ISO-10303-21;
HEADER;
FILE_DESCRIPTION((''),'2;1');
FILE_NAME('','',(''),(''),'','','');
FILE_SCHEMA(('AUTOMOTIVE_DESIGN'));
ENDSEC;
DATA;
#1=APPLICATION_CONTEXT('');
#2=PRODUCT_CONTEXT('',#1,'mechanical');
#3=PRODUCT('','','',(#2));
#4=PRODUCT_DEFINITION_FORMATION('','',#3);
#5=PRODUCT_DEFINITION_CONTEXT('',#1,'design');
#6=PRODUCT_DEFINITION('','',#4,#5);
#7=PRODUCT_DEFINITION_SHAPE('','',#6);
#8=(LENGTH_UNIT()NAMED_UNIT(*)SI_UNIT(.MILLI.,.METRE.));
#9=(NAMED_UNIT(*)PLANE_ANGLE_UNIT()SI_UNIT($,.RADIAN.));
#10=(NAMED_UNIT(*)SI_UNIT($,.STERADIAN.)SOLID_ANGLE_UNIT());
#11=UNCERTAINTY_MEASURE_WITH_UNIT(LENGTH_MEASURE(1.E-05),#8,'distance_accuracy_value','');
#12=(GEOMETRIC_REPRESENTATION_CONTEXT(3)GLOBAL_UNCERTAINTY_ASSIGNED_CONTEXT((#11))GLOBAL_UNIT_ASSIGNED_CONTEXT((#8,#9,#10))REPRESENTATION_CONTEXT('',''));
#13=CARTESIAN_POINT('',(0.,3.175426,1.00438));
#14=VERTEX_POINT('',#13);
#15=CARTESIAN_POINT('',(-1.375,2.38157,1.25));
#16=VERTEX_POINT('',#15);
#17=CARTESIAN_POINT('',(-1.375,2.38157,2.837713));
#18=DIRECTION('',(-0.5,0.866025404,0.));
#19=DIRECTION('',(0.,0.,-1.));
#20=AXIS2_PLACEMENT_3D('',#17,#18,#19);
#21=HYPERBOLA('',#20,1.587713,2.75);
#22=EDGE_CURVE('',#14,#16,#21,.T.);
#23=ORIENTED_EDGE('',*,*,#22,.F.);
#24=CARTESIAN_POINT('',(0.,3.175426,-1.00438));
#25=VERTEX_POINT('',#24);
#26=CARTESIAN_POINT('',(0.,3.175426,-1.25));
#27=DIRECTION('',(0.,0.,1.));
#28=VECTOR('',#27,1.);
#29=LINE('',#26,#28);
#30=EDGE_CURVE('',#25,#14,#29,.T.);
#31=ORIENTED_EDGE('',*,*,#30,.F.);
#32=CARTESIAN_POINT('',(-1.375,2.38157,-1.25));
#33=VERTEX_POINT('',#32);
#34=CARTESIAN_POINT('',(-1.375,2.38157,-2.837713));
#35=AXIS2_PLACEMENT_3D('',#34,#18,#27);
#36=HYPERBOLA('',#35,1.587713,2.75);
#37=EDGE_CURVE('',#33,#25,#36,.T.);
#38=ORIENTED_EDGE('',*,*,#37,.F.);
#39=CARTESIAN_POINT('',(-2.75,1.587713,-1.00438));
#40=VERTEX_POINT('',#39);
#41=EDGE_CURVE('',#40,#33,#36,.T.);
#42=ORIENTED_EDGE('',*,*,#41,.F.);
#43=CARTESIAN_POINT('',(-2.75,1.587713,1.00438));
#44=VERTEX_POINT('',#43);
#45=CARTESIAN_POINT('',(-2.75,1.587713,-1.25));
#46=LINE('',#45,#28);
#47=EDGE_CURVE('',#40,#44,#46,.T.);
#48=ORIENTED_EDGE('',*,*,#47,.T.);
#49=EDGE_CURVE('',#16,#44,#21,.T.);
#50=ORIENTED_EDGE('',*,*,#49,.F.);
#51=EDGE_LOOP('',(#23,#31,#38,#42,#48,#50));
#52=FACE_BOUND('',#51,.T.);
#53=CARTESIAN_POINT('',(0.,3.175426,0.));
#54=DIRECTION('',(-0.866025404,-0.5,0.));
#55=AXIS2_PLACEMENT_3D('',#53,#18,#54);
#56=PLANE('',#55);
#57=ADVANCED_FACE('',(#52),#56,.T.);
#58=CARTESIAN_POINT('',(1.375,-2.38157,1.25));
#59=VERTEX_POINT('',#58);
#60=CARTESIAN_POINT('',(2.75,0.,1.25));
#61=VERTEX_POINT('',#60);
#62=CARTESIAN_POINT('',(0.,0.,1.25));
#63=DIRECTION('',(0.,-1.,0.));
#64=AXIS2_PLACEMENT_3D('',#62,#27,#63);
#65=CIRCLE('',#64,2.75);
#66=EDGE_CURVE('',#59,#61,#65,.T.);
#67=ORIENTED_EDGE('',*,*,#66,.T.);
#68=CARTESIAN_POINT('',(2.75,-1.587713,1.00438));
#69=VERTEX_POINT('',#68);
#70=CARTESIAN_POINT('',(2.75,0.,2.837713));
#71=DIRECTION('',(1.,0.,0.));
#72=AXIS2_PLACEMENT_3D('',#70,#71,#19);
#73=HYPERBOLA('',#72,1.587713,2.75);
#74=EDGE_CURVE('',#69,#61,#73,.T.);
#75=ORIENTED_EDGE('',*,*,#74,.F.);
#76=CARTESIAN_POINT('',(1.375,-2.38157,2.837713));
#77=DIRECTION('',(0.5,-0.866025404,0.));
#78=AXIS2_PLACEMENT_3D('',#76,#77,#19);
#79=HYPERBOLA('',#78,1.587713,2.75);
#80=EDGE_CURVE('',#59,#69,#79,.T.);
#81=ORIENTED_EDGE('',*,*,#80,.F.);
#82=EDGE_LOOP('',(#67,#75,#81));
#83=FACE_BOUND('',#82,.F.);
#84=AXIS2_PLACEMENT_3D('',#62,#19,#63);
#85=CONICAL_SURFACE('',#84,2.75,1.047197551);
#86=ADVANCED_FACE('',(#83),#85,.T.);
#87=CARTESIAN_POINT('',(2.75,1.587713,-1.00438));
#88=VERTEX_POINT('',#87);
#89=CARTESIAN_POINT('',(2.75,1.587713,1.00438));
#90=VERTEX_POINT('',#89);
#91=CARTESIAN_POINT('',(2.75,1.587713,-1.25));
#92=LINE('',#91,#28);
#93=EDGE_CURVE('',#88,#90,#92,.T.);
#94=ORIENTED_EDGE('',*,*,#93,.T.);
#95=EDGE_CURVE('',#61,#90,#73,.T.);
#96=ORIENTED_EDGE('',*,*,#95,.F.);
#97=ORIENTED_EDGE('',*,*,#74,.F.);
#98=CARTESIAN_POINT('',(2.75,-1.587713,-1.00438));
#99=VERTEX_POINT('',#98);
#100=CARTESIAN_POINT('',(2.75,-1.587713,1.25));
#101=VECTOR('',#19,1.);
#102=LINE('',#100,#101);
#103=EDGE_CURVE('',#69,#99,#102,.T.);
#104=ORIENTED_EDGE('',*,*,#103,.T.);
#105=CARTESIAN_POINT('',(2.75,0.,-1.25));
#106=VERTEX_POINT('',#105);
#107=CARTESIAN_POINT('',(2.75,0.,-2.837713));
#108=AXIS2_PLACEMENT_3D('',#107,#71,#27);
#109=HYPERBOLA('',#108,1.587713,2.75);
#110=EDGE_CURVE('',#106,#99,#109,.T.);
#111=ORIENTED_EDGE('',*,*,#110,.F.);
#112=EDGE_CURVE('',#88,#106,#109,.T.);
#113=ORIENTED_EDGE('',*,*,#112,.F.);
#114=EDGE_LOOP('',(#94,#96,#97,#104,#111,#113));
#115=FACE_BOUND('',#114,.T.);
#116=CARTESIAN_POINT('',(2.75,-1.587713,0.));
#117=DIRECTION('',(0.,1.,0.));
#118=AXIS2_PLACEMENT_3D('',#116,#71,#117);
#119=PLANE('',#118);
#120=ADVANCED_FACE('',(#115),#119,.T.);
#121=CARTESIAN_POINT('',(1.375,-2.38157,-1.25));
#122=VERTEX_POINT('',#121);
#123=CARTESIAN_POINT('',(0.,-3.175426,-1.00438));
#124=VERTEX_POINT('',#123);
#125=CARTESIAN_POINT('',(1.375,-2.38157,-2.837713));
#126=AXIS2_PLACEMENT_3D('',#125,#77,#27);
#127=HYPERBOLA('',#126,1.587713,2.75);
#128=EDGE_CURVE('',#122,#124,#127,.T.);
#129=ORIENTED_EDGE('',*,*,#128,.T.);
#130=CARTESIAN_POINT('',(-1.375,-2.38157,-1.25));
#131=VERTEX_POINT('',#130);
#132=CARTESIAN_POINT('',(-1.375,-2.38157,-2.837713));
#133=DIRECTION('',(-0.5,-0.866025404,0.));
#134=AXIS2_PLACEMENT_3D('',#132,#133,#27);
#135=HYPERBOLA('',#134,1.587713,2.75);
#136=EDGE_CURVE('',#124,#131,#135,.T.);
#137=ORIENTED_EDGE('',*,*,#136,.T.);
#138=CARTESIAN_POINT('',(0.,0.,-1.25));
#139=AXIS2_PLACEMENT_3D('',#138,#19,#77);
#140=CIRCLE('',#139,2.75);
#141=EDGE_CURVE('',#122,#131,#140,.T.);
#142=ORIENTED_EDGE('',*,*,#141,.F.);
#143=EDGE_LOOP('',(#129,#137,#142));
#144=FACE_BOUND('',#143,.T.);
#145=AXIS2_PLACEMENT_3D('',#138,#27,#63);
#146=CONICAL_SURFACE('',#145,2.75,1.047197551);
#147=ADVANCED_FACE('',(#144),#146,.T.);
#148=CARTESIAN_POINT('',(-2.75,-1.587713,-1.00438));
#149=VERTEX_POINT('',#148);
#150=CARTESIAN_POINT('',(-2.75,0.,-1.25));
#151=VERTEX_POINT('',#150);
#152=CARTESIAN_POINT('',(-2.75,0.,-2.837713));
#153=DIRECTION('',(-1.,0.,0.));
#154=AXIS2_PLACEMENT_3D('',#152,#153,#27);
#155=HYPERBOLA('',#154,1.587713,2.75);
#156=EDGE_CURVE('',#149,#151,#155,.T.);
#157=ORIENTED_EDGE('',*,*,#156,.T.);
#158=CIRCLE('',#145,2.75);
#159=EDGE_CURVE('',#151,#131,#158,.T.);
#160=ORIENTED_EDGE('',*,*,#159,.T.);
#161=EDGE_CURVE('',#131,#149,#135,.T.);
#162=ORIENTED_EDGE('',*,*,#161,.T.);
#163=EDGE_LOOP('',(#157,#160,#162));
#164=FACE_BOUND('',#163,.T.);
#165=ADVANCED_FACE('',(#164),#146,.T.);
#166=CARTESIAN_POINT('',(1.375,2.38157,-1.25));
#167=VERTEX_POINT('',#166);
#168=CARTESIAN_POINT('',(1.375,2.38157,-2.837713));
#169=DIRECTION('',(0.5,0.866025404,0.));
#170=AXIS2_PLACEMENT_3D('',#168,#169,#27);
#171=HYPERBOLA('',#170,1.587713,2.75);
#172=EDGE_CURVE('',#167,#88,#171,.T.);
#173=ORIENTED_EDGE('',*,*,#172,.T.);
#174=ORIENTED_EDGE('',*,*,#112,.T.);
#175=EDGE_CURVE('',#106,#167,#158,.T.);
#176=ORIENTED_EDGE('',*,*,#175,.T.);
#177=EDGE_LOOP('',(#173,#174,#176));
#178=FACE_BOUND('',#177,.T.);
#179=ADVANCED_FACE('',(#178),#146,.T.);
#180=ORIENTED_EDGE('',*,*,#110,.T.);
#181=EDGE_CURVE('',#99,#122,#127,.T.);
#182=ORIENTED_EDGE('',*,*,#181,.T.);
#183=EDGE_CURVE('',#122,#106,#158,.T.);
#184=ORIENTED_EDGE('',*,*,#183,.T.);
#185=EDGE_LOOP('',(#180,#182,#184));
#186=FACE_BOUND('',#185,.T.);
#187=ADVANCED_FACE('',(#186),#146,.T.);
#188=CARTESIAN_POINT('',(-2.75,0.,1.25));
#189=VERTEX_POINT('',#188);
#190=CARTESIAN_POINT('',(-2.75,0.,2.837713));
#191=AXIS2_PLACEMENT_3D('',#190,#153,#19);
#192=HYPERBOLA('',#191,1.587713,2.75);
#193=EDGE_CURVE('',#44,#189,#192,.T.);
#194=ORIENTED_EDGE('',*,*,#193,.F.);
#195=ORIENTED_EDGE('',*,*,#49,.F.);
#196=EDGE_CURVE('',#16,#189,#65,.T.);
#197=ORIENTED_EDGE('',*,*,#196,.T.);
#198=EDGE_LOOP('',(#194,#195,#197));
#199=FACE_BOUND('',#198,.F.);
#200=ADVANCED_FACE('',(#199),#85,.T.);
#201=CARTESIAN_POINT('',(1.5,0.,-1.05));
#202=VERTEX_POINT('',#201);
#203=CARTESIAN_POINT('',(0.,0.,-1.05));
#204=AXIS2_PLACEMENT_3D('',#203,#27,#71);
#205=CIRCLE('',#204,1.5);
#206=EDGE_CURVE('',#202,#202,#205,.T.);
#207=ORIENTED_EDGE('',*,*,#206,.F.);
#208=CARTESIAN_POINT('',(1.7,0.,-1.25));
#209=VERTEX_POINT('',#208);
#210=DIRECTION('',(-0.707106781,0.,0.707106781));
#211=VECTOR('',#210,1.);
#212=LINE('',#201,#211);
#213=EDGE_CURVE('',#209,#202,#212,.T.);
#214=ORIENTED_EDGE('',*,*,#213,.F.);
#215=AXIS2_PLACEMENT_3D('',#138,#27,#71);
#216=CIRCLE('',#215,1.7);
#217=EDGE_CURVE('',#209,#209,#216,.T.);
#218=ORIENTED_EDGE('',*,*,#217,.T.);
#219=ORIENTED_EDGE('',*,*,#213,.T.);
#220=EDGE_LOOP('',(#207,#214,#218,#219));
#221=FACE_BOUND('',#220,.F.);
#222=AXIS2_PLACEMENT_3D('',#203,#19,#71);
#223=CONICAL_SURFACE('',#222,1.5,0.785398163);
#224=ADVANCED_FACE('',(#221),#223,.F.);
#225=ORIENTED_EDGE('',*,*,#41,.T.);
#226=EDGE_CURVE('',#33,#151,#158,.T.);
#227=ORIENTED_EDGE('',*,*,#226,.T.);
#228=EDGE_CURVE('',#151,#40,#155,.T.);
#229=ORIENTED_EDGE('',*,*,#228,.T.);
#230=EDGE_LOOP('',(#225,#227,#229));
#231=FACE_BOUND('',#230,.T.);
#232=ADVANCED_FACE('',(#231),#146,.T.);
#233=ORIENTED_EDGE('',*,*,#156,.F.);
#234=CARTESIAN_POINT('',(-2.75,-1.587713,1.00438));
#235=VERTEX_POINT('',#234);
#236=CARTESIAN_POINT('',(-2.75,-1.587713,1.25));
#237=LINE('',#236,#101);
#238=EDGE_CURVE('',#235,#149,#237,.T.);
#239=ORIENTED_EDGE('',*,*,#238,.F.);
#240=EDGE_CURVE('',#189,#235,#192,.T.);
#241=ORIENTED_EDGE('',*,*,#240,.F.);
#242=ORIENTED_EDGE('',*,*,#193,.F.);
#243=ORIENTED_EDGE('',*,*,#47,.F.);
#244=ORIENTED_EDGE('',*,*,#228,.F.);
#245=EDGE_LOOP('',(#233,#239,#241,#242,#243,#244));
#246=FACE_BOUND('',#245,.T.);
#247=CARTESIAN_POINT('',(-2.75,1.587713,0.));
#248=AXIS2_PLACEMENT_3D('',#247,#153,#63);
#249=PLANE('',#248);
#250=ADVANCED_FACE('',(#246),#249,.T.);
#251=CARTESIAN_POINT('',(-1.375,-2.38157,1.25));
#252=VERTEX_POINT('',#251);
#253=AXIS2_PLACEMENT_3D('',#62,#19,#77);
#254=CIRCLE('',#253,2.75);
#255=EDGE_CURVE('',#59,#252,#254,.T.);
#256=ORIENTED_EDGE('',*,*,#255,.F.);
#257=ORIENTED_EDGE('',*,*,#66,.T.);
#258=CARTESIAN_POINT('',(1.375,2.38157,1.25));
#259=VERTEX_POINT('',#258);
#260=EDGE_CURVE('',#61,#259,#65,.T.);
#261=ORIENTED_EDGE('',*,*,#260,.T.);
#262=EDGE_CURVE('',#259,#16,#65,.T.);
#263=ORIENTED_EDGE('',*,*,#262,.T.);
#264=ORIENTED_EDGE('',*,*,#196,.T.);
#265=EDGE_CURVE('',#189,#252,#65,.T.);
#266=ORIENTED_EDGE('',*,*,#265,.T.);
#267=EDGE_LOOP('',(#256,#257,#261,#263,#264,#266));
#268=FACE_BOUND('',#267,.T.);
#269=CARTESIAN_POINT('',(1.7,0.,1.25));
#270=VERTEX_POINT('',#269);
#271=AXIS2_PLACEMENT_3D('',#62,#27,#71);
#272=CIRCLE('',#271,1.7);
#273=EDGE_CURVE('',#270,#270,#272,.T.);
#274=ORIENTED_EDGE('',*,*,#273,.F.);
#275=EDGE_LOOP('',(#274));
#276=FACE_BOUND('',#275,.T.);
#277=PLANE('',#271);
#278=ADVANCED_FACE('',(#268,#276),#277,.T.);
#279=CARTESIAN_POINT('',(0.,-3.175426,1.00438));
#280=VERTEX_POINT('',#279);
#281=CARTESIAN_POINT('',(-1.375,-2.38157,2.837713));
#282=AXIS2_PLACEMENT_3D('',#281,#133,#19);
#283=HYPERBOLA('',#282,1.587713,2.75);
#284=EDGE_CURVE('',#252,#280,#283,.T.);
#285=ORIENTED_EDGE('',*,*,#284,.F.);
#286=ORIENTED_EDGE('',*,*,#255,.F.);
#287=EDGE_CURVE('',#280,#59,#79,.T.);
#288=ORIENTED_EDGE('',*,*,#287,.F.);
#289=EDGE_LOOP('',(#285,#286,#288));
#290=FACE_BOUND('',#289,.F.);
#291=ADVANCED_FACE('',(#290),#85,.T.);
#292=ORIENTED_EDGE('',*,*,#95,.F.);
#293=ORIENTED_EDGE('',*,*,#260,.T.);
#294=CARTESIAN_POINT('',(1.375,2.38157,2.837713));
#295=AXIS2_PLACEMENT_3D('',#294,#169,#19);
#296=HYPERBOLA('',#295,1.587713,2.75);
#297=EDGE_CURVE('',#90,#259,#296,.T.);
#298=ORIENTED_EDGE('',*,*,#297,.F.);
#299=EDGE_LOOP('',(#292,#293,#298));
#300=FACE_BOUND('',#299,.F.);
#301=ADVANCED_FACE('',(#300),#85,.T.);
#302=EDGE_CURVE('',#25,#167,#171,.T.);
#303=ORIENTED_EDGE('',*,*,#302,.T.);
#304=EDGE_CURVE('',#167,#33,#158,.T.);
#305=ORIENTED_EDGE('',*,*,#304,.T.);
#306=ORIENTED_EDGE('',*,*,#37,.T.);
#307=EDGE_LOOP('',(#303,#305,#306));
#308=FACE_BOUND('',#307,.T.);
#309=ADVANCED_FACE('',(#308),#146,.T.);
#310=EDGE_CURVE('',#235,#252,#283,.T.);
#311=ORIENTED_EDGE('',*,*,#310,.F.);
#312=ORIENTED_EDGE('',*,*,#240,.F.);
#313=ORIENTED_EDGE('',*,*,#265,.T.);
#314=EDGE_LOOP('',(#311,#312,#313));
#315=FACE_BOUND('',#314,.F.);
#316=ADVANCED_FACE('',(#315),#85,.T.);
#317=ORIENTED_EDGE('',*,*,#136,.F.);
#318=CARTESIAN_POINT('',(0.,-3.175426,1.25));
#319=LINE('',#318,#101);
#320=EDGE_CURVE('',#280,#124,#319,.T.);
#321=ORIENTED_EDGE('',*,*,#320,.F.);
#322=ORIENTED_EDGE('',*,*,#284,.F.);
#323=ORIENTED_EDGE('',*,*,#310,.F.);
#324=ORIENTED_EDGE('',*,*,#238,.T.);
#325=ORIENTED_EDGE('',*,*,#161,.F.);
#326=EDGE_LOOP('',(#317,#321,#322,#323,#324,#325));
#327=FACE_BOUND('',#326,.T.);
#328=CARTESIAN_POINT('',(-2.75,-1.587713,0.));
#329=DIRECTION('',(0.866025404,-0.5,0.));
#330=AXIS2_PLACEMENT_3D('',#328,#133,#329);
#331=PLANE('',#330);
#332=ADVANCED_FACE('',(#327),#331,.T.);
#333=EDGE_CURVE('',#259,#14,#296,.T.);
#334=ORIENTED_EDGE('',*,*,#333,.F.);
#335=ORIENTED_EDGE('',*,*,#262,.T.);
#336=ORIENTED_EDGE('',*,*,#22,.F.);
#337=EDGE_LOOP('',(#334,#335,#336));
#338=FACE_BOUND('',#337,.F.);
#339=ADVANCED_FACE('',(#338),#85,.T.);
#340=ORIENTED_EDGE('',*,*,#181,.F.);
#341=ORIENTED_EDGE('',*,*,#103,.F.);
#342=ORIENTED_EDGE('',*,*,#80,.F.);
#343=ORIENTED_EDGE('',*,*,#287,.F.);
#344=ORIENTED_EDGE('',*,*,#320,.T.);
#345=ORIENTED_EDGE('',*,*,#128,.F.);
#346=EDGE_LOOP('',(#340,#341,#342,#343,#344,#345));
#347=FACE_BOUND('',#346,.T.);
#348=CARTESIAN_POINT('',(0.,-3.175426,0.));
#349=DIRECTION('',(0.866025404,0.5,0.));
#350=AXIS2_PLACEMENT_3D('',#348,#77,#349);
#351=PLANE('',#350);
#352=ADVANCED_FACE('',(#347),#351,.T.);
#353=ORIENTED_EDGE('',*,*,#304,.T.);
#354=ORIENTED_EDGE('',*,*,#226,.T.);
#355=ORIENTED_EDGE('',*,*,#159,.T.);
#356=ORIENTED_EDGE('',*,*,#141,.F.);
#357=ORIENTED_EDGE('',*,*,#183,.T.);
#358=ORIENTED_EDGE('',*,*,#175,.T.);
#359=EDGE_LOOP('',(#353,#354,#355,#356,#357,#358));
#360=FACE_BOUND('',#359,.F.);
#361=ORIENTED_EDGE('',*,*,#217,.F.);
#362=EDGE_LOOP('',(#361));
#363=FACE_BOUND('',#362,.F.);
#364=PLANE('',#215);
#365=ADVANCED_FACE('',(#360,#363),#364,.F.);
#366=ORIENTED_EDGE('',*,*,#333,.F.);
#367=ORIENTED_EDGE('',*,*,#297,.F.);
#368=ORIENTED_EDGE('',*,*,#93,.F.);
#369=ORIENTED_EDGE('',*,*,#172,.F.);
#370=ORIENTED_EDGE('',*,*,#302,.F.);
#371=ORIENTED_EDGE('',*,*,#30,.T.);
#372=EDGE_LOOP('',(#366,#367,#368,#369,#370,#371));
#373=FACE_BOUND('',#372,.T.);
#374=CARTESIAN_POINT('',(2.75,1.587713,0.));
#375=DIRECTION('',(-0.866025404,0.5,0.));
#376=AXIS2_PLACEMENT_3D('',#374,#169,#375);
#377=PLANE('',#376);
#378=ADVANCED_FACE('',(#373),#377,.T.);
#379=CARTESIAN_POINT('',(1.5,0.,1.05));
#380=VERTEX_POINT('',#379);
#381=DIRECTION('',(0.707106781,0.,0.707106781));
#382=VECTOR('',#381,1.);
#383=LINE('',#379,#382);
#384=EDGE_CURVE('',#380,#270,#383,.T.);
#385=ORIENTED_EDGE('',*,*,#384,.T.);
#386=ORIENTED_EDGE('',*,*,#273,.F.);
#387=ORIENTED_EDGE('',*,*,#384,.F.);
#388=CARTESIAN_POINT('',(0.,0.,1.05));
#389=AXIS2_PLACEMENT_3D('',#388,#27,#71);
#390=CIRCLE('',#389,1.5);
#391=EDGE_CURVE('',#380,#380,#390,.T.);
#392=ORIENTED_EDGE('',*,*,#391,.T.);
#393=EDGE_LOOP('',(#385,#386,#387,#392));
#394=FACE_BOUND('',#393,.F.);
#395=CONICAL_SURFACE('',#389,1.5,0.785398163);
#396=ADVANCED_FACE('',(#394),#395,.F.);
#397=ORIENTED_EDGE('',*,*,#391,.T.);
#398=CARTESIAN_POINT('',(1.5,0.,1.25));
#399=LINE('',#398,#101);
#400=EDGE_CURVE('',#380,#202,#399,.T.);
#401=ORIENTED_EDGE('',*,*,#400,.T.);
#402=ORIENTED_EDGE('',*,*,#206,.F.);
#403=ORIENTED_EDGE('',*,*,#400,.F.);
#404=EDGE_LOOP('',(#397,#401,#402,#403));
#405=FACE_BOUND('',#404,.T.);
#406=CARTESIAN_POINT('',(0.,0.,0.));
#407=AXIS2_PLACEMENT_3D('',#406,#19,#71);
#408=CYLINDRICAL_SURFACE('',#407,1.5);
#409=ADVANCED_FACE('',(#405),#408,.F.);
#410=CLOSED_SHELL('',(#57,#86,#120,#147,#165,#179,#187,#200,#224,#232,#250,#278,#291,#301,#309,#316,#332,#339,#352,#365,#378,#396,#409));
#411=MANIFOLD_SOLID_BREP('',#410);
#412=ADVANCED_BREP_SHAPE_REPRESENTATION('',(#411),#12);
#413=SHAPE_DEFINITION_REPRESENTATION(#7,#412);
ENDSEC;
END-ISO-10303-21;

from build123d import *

# Parameters (mm, degrees)
SKETCH021_R     = 1.5
PAD011_DEPTH    = 1.25
CHAMFER004_SIZE = 0.2


with BuildPart() as part:
    # Sketch021 → Pad011 (new body, symmetric)
    with BuildSketch(Plane.XY):
        Polygon((2.75, -1.5877132403), (2.75, 1.5877132403), (0, 3.1754264805), (-2.75, 1.5877132403), (-2.75, -1.5877132403), (0, -3.1754264805), align=None)
        Circle(SKETCH021_R, mode=Mode.SUBTRACT)
    extrude(amount=PAD011_DEPTH, both=True)

    # Sketch020 → Groove002 (revolve, cut)
    with BuildSketch(Plane.YZ):
        Polygon((-2.75, 1.25), (-3.5, 0.8169872981), (-3.5, 1.25), align=None)
        Polygon((-2.75, -1.25), (-3.5, -0.8169872981), (-3.5, -1.25), align=None)
    revolve(axis=Axis((0, 0, 0), (0, 0, 1)), mode=Mode.SUBTRACT)

    # Chamfer004
    chamfer004_edges = [part.edges().sort_by_distance(p)[0] for p in [
        (-1.5, 0, 1.25),
        (-1.5, 0, -1.25),
    ]]
    chamfer(chamfer004_edges, length=CHAMFER004_SIZE)


solid = part.part
